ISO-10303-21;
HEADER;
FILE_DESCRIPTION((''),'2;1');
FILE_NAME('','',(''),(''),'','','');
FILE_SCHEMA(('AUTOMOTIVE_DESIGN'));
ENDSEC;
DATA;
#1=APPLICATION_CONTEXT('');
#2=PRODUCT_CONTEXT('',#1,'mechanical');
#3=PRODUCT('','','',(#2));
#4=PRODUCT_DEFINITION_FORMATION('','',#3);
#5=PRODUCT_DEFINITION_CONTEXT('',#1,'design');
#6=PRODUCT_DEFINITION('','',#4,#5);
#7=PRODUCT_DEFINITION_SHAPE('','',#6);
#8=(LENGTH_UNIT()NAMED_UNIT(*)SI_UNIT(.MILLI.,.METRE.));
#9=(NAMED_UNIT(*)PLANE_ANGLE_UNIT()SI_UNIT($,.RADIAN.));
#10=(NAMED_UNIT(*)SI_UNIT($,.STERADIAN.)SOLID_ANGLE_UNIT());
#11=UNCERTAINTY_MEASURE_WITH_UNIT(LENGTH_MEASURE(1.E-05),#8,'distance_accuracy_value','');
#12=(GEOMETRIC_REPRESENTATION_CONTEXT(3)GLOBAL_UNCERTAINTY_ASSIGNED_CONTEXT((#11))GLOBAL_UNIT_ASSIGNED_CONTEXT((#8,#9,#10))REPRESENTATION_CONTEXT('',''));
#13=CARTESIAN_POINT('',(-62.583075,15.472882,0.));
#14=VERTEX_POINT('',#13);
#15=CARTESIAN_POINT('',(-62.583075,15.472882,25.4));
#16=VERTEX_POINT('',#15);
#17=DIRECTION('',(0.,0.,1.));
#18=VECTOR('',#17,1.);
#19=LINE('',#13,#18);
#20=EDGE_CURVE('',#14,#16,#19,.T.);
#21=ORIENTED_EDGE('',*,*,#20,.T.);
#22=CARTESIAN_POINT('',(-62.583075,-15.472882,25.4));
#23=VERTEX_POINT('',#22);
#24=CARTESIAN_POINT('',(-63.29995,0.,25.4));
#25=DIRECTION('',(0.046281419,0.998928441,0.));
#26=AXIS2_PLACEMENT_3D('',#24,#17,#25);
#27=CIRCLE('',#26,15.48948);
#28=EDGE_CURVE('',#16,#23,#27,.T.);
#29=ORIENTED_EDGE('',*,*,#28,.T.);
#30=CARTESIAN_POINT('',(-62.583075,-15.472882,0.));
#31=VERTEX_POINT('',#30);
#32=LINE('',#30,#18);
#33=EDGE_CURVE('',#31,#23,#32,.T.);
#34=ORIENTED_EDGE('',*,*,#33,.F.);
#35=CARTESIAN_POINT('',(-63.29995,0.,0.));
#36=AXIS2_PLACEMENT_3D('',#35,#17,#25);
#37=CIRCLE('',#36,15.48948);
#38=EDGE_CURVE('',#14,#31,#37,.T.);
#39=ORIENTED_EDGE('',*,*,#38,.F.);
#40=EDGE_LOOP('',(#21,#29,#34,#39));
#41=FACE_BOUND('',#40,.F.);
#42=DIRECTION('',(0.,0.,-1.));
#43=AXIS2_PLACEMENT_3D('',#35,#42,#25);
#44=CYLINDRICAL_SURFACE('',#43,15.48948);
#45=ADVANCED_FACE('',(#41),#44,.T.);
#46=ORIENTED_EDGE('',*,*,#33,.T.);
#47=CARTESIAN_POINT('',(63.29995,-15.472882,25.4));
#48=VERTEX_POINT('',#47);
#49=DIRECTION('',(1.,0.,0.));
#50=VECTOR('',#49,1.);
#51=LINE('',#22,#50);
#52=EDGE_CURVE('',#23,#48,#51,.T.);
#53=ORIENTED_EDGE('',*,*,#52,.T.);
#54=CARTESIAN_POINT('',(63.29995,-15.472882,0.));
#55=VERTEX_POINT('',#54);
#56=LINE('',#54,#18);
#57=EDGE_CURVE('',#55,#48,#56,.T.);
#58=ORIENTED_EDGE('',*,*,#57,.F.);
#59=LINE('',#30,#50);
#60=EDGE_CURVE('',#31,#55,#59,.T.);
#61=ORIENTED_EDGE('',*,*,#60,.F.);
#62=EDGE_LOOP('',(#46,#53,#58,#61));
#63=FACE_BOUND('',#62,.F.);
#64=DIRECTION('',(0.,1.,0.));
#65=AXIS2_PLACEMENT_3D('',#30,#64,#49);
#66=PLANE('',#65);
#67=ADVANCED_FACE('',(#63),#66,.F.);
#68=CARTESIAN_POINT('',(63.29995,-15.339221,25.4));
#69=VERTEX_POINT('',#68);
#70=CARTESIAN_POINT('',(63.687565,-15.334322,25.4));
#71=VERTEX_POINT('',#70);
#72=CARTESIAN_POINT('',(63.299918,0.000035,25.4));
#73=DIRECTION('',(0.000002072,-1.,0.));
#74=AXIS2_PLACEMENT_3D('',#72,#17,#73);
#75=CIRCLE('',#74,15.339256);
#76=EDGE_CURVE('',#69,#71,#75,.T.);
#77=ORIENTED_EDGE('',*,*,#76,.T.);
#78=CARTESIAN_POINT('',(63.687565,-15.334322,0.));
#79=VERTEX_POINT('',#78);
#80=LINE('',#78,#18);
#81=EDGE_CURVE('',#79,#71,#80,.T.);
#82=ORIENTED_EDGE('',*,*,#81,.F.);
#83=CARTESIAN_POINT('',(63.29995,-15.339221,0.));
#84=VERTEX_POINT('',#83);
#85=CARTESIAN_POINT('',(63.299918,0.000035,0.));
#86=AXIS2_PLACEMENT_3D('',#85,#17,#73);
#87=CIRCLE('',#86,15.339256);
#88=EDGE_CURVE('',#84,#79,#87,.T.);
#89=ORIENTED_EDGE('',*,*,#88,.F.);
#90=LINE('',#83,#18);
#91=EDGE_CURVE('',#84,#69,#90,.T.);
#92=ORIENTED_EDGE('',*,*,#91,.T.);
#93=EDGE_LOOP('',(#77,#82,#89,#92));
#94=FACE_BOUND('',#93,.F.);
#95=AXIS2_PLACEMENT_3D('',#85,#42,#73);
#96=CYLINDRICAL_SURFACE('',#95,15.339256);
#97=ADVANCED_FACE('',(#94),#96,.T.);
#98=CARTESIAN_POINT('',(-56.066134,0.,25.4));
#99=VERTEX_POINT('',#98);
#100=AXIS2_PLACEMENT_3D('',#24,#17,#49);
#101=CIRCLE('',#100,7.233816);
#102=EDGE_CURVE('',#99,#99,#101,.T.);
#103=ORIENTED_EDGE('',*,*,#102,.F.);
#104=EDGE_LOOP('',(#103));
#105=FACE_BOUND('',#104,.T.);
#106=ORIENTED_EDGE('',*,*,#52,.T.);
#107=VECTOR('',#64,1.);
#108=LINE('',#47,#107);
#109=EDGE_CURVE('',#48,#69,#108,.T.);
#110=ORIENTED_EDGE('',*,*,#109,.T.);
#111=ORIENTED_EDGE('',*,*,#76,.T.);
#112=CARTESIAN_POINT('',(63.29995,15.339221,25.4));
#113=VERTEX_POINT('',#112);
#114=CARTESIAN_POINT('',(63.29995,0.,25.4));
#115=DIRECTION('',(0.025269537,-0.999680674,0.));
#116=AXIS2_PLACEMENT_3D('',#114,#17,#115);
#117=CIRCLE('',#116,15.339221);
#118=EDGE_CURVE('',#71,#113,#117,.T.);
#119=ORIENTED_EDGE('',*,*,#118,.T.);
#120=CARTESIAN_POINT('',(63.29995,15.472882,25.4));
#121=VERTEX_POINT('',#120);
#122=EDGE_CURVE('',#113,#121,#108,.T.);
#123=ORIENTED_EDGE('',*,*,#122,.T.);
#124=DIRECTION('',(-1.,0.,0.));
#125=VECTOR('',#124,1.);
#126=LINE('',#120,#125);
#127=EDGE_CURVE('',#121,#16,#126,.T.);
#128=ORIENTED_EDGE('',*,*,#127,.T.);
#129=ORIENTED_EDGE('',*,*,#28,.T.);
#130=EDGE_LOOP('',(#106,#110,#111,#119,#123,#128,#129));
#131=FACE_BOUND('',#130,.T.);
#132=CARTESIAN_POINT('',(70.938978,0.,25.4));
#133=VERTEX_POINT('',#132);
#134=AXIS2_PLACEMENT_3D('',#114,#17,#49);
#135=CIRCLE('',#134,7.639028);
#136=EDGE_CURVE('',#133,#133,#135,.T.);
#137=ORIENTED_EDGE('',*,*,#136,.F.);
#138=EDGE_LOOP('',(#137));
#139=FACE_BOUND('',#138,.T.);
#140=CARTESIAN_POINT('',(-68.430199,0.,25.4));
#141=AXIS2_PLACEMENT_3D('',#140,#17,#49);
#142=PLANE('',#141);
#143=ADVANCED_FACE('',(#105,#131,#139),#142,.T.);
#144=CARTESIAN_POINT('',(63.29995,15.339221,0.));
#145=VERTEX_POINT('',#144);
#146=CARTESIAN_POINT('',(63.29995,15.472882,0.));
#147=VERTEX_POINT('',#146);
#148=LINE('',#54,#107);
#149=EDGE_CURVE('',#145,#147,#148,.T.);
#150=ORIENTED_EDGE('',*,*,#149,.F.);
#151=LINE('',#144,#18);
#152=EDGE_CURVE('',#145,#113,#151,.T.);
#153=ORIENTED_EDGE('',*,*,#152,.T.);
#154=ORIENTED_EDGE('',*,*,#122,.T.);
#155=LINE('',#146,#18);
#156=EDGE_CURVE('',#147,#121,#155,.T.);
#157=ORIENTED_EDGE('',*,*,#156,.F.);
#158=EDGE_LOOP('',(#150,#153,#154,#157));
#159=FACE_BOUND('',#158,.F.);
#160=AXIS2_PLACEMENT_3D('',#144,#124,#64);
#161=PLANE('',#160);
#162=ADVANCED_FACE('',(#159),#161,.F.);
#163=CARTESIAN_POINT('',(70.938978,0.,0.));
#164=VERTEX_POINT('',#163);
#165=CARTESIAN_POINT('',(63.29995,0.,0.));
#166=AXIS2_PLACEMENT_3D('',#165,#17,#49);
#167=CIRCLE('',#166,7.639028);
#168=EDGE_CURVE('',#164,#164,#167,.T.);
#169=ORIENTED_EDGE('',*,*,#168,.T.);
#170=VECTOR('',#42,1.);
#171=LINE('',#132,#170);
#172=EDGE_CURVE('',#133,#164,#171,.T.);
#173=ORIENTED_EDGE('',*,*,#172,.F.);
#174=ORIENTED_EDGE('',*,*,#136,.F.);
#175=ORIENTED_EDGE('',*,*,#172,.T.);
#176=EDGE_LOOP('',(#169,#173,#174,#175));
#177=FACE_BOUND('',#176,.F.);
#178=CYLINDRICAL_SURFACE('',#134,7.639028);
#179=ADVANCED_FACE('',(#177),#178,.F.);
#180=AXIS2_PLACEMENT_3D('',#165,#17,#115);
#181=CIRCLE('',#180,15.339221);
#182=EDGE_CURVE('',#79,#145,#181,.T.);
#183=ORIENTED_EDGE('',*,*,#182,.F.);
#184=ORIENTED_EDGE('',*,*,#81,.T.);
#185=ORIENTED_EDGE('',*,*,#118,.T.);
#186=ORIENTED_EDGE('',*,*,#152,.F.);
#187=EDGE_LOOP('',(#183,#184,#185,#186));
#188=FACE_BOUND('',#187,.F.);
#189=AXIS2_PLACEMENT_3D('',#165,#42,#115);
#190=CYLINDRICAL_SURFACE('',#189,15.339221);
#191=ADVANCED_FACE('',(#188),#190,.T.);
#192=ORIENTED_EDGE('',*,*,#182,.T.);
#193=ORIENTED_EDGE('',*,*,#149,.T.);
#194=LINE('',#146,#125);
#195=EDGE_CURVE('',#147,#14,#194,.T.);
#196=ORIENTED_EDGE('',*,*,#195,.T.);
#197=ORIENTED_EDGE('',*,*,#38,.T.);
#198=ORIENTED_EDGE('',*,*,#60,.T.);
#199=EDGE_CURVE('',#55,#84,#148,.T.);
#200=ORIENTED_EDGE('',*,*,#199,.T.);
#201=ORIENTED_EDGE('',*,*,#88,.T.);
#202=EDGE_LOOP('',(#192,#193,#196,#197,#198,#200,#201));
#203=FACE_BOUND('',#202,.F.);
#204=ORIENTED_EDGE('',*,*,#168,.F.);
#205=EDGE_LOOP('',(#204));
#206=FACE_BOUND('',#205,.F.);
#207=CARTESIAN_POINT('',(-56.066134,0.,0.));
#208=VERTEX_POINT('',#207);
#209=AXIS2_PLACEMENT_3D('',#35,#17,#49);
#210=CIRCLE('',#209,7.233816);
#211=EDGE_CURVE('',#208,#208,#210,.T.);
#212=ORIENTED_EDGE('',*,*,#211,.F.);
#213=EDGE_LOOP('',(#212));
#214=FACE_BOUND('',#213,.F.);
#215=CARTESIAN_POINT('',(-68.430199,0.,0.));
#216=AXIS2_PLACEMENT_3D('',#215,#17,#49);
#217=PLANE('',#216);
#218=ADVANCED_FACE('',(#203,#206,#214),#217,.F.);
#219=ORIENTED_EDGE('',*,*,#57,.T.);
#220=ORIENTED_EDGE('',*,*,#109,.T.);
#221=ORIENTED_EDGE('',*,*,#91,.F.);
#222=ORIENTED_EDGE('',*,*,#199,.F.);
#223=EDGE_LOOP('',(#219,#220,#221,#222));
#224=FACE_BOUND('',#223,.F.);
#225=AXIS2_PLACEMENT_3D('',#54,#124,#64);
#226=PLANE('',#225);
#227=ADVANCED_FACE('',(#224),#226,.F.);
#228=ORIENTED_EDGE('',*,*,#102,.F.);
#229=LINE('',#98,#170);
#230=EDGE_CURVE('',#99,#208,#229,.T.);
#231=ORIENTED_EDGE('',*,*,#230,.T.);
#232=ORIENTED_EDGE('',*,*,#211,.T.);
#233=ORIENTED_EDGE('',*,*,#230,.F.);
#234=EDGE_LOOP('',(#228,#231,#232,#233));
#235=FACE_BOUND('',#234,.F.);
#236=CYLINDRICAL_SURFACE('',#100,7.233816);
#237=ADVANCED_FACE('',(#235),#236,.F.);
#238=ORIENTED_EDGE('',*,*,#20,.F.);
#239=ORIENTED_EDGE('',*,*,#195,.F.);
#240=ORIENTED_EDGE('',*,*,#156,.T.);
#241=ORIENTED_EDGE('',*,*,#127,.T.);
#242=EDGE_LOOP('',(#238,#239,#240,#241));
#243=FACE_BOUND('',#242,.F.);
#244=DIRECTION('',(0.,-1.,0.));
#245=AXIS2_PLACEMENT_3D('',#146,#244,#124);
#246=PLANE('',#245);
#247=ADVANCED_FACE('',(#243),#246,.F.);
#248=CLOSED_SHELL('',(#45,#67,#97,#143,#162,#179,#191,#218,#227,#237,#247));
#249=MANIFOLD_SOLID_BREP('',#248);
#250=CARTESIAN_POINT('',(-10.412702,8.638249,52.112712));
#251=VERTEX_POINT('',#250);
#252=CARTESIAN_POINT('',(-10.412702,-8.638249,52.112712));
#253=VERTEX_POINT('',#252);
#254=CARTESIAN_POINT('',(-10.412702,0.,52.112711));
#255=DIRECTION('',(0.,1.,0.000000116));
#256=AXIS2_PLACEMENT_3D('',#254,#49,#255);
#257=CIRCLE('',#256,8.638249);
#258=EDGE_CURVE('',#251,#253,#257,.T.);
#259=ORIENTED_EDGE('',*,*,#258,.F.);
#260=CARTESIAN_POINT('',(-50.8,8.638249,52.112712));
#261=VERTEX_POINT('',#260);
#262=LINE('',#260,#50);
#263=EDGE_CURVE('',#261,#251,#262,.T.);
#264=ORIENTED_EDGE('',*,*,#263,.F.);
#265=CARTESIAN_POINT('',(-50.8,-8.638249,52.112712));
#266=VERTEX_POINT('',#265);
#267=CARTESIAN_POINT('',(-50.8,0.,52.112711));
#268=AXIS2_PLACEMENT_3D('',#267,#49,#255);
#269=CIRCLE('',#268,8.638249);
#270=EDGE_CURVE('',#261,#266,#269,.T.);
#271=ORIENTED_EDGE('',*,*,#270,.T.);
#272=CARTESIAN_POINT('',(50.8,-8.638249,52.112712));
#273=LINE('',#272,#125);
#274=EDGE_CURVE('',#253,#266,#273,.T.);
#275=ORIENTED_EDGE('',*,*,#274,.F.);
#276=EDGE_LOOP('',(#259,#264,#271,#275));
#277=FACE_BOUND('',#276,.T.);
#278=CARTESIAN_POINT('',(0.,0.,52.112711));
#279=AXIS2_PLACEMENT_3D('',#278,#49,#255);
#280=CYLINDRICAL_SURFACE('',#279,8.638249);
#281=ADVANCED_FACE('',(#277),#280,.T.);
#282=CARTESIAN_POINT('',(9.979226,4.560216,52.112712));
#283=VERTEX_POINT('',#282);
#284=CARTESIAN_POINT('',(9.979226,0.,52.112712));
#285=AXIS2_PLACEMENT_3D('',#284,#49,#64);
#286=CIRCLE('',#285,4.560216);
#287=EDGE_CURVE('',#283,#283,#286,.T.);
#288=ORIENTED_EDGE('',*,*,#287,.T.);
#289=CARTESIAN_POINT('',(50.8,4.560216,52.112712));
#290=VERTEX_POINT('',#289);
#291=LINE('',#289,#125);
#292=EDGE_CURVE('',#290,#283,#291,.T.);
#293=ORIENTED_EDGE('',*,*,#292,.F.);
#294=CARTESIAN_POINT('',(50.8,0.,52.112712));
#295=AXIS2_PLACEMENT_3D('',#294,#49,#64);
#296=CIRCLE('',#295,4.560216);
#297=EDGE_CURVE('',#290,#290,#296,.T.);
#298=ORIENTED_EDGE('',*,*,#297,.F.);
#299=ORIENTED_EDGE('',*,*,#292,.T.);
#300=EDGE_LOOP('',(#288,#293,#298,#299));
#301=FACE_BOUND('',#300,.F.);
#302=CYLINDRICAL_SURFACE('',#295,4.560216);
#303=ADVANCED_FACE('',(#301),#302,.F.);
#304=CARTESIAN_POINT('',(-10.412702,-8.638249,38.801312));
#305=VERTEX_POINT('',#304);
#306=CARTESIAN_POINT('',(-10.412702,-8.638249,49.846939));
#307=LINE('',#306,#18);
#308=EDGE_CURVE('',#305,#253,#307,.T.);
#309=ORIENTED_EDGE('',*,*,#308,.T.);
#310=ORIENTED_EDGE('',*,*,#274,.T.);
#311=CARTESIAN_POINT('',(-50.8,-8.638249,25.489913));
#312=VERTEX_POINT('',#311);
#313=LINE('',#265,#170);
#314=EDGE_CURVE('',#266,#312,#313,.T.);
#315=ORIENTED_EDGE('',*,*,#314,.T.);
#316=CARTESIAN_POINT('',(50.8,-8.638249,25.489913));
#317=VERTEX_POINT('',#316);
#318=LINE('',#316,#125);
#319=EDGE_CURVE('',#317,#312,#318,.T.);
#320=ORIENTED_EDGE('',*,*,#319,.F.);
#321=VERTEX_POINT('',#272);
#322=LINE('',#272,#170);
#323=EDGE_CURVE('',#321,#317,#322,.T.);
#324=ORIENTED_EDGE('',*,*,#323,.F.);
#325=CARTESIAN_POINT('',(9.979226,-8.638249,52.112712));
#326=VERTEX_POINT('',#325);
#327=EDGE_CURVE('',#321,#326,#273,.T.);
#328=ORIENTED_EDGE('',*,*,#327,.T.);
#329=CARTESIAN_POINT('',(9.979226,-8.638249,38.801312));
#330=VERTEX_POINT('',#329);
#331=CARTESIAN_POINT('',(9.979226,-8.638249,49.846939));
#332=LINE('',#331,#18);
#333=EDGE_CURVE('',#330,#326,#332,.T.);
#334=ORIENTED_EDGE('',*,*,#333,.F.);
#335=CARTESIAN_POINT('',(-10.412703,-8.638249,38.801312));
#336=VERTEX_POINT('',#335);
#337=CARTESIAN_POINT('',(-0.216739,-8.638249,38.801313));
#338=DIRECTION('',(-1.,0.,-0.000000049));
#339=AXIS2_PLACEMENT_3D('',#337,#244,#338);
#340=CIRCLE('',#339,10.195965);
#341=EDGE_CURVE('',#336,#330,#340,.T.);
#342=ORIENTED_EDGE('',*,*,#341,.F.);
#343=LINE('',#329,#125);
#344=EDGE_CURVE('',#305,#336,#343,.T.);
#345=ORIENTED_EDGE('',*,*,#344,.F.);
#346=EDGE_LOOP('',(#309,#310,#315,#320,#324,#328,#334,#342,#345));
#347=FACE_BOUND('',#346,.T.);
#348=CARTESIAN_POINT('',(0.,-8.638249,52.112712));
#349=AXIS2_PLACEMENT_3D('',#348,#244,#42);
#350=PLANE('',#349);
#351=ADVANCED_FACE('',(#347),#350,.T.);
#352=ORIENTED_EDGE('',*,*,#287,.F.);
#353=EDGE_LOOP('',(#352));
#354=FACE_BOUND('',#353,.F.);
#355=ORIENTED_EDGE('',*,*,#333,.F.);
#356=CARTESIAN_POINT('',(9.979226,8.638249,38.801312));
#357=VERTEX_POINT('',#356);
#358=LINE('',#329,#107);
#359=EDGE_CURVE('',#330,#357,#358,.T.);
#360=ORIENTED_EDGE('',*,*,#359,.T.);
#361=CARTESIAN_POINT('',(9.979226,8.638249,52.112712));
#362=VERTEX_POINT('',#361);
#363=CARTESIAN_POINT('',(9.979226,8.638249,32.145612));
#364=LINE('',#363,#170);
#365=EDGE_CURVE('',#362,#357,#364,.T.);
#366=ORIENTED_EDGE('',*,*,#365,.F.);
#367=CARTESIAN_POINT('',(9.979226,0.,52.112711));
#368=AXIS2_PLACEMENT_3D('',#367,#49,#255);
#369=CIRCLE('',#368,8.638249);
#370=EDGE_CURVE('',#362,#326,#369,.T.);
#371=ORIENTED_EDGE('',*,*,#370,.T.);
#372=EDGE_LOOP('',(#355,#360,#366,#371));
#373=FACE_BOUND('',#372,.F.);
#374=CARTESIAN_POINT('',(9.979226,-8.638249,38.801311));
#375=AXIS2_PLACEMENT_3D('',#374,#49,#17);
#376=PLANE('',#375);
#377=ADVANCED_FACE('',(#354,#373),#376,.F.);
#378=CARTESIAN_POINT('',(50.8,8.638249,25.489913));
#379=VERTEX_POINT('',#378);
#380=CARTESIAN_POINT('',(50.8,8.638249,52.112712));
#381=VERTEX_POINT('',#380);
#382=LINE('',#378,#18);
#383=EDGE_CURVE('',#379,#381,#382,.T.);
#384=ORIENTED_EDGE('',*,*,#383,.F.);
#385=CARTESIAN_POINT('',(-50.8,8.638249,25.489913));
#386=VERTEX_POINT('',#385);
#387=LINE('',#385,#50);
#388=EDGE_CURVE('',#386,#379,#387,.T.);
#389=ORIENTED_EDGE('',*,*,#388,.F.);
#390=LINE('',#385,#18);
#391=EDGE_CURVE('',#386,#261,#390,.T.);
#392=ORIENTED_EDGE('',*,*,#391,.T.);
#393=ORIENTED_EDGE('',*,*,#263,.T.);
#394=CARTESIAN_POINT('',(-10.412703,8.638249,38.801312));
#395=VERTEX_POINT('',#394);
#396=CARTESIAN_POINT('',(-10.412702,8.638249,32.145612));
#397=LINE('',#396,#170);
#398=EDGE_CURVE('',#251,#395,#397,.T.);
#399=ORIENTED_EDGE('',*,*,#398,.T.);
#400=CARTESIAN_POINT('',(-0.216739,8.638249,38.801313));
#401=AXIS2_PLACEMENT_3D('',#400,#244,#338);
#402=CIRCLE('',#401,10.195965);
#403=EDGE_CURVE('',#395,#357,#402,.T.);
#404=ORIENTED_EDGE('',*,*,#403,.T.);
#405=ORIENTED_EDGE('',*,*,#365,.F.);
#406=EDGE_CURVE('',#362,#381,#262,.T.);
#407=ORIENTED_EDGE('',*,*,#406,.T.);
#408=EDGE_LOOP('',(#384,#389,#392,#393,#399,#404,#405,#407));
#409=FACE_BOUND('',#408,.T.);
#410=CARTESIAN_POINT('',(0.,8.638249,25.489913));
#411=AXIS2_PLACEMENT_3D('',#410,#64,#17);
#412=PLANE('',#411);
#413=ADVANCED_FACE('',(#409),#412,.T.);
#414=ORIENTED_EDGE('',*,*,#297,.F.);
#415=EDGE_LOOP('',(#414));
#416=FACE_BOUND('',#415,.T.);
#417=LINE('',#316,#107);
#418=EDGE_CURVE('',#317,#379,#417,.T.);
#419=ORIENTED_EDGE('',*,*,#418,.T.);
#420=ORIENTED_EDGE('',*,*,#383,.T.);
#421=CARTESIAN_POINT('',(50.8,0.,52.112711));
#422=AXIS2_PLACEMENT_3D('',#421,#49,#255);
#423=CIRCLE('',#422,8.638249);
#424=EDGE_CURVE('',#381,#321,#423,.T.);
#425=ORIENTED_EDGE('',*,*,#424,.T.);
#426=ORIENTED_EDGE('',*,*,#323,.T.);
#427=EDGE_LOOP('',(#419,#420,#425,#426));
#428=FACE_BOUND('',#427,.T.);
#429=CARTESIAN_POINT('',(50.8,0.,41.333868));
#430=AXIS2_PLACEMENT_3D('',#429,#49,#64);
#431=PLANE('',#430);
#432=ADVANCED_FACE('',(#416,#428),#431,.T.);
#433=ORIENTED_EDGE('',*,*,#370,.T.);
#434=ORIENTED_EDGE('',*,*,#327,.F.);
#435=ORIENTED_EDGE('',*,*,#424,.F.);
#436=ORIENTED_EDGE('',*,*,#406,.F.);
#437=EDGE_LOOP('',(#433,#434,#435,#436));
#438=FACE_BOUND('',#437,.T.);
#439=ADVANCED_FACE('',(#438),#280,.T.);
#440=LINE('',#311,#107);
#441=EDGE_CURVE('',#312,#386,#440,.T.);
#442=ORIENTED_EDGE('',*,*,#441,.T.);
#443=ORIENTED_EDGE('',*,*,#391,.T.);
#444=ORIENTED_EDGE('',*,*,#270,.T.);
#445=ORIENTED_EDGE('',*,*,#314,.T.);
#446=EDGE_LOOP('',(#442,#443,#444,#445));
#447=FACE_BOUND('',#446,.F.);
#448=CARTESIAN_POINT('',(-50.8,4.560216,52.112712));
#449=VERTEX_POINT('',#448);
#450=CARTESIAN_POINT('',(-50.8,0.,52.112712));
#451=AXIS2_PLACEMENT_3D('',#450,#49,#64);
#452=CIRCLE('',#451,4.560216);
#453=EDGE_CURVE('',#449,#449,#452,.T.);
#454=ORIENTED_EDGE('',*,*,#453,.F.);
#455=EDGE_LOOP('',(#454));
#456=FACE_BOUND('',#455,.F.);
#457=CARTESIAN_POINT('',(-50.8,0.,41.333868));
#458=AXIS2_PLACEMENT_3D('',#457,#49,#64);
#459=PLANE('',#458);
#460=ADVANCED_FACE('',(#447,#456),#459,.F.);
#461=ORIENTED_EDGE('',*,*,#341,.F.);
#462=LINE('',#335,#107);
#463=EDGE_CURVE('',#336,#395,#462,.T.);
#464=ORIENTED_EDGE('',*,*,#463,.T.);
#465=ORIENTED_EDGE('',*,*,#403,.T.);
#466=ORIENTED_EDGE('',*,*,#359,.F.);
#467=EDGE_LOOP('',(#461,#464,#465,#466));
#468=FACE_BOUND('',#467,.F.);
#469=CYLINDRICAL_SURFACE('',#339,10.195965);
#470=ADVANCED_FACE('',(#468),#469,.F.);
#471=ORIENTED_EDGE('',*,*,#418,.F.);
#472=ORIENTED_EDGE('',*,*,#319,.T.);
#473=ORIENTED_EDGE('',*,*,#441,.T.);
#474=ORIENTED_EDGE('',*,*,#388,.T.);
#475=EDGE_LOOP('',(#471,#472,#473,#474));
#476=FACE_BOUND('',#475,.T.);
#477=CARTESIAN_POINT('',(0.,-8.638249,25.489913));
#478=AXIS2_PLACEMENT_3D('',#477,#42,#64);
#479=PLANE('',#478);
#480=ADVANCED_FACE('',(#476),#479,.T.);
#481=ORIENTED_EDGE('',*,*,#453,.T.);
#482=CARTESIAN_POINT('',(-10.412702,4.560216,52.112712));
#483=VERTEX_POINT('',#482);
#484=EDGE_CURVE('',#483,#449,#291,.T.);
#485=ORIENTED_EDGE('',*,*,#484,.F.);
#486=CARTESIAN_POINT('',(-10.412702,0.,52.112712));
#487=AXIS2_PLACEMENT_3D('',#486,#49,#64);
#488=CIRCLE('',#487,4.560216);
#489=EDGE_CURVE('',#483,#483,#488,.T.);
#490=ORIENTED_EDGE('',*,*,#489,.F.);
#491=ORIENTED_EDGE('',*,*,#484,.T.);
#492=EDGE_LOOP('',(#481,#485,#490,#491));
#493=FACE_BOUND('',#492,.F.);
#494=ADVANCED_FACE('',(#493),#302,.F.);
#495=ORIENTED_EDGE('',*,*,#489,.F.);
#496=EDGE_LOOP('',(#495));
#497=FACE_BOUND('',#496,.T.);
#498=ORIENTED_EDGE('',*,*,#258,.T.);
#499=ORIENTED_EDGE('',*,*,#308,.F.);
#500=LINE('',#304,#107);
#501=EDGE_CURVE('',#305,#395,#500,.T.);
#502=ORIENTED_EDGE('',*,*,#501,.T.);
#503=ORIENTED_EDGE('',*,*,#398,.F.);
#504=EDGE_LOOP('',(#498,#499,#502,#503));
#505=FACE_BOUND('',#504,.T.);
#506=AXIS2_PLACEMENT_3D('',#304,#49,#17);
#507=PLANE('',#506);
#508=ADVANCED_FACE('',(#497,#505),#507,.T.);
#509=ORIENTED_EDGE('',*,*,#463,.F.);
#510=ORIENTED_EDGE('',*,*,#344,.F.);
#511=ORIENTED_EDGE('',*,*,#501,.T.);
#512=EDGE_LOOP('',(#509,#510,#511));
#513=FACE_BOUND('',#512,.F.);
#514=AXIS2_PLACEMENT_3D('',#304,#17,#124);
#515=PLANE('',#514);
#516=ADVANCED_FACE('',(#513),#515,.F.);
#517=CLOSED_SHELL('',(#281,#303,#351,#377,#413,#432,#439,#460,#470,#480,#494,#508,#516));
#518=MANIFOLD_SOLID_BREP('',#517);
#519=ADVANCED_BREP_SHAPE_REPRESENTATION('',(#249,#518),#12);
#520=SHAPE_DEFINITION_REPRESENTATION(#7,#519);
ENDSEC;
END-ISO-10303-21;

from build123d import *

# Parameters (mm, degrees)
F1_DEPTH  = 25.4
F3_DEPTH  = 50.8
F4_R      = 4.560216
F5_DEPTH  = 129.59043
F6_R      = 7.233816
F7_DEPTH  = 25.401
F8_R      = 7.639028
F9_DEPTH  = 25.401
F10_W     = 20.391929
F10_H     = 22.091255
F11_DEPTH = 24.128729


with BuildPart() as f1:
    # F0 (on Top) → F1 (new body)
    with BuildSketch(Plane.XY):
        with BuildLine():
            Line((-63.29995, -15.472882), (-63.29995, 15.472882))
            Line((-63.29995, 15.472882), (-63.184723, 15.472882))
            Line((-63.184723, 15.472882), (-62.583075, 15.472882))
            ThreePointArc((-62.583075, 15.472882), (-78.78943, 0), (-62.583075, -15.472882))
            Line((-62.583075, -15.472882), (-63.29995, -15.472882))
        make_face()
        Polygon((-63.184723, 15.472882), (-63.29995, 15.472882), (-63.29995, -15.472882), (-62.583075, -15.472882), (63.29995, -15.472882), (63.29995, -15.339221), (63.29995, 15.339221), (63.29995, 15.472882), (-62.583075, 15.472882), align=None)
        with BuildLine():
            ThreePointArc((63.687565, -15.334322), (78.637946, 0.193823), (63.29995, 15.339221))
            Line((63.29995, 15.339221), (63.29995, -15.339221))
            ThreePointArc((63.29995, -15.339221), (63.493773, -15.337996), (63.687565, -15.334322))
        make_face()
    extrude(amount=F1_DEPTH)

    # F6 (on face) → F7 (cut, through all)
    with BuildSketch(Plane.XY.offset(25.4)):
        with Locations((-63.29995, 0)):
            Circle(F6_R)
    extrude(amount=-F7_DEPTH, mode=Mode.SUBTRACT)

    # F8 (on face) → F9 (cut, through all)
    with BuildSketch(Plane.XY.offset(25.4)):
        with Locations((63.29995, 0)):
            Circle(F8_R)
    extrude(amount=-F9_DEPTH, mode=Mode.SUBTRACT)


with BuildPart() as f3:
    # F2 (on Right) → F3 (new body, symmetric)
    with BuildSketch(Plane.YZ):
        with BuildLine():
            Line((-8.638249, 25.489913), (8.638249, 25.489913))
            Line((8.638249, 25.489913), (8.638249, 52.112712))
            ThreePointArc((8.638249, 52.112712), (0, 60.75096), (-8.638249, 52.112712))
            Line((-8.638249, 52.112712), (-8.638249, 25.489913))
        make_face()
    extrude(amount=F3_DEPTH, both=True)

    # F4 (on face) → F5 (cut, through all)
    with BuildSketch(Plane.YZ.offset(50.8)):
        with Locations((0, 52.112712)):
            Circle(F4_R)
    extrude(amount=-F5_DEPTH, mode=Mode.SUBTRACT)

    # F10 (on face) → F11 (cut, through all)
    with BuildSketch(Plane.XZ.offset(8.638249)):
        with Locations((-0.216738, 49.846939)):
            Rectangle(F10_W, F10_H)
        with BuildLine():
            Line((9.979226, 38.801312), (-10.412703, 38.801312))
            ThreePointArc((-10.412703, 38.801312), (-0.216739, 28.605348), (9.979226, 38.801312))
        make_face()
    extrude(amount=-F11_DEPTH, mode=Mode.SUBTRACT)


solid = Compound([f1.part, f3.part])
